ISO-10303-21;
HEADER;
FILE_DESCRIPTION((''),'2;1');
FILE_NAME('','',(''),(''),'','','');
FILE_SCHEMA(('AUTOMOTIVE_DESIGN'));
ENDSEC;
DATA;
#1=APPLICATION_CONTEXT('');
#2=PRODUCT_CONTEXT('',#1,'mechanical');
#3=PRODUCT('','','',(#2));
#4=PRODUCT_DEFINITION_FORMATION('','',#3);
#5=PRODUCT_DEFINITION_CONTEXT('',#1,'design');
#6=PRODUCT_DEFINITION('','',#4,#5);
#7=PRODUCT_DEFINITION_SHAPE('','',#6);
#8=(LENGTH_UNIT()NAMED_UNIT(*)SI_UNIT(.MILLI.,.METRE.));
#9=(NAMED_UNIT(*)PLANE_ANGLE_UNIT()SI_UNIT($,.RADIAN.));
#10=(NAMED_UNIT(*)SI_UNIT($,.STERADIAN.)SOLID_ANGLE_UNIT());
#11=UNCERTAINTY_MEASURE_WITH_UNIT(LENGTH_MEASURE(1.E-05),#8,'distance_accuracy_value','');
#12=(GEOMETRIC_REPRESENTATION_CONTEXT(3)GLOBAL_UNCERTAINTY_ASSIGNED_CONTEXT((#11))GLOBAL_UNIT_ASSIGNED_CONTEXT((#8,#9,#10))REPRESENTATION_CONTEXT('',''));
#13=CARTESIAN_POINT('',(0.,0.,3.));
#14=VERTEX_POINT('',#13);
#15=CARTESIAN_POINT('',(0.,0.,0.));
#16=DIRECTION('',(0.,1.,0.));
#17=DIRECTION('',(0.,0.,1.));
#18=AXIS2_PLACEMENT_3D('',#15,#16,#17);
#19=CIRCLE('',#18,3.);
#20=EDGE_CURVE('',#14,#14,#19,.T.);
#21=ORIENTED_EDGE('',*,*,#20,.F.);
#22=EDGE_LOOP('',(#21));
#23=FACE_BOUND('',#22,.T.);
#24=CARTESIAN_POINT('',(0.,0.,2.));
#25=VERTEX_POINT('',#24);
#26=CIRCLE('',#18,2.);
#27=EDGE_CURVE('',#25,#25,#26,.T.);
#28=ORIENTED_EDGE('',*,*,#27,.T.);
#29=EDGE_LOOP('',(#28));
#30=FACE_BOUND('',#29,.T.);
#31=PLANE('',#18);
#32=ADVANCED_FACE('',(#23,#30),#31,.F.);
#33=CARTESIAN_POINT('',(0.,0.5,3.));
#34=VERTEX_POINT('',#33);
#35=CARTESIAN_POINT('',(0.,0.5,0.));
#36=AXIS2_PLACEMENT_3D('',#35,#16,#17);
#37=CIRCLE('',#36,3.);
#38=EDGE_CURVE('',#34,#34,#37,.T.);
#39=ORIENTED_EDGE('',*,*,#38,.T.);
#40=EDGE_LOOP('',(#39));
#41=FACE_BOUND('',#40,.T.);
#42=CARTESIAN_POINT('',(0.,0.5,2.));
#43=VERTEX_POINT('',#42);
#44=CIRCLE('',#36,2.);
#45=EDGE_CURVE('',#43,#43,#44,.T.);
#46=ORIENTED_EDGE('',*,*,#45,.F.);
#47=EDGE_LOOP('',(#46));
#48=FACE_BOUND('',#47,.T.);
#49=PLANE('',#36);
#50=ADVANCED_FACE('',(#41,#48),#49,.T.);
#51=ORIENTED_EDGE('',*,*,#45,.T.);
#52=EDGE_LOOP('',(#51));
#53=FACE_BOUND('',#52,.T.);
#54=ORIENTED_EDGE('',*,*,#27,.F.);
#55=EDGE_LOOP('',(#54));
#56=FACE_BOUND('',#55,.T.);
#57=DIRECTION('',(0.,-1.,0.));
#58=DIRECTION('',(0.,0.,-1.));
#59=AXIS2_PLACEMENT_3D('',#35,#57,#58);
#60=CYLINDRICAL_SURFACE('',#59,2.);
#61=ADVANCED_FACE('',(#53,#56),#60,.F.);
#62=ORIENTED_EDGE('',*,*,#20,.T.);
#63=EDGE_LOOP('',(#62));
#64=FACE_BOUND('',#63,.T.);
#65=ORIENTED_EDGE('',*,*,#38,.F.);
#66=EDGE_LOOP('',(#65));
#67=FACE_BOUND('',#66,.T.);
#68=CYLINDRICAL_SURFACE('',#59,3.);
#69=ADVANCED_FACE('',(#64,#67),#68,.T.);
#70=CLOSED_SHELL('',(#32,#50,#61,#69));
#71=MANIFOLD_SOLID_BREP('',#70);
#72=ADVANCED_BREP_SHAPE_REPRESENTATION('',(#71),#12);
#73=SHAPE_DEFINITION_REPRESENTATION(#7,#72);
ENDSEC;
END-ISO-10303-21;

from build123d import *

# Parameters (mm, degrees)
SKETCH_1_R      = 3
SKETCH_1_R_2    = 2
EXTRUDE_1_DEPTH = 0.5


with BuildPart() as part:
    # ｽｹｯﾁ1 → ﾎﾞｽ - 押し出し1 (new body)
    with BuildSketch(Plane(origin=(0, 0, 0), x_dir=(1, 0, 0), z_dir=(0, 1, 0))):
        with Locations(Location((0, 0, 0), (0, 0, 270))):
            Circle(SKETCH_1_R)
        with Locations(Location((0, 0, 0), (0, 0, 270))):
            Circle(SKETCH_1_R_2, mode=Mode.SUBTRACT)
    extrude(amount=EXTRUDE_1_DEPTH)


solid = part.part
